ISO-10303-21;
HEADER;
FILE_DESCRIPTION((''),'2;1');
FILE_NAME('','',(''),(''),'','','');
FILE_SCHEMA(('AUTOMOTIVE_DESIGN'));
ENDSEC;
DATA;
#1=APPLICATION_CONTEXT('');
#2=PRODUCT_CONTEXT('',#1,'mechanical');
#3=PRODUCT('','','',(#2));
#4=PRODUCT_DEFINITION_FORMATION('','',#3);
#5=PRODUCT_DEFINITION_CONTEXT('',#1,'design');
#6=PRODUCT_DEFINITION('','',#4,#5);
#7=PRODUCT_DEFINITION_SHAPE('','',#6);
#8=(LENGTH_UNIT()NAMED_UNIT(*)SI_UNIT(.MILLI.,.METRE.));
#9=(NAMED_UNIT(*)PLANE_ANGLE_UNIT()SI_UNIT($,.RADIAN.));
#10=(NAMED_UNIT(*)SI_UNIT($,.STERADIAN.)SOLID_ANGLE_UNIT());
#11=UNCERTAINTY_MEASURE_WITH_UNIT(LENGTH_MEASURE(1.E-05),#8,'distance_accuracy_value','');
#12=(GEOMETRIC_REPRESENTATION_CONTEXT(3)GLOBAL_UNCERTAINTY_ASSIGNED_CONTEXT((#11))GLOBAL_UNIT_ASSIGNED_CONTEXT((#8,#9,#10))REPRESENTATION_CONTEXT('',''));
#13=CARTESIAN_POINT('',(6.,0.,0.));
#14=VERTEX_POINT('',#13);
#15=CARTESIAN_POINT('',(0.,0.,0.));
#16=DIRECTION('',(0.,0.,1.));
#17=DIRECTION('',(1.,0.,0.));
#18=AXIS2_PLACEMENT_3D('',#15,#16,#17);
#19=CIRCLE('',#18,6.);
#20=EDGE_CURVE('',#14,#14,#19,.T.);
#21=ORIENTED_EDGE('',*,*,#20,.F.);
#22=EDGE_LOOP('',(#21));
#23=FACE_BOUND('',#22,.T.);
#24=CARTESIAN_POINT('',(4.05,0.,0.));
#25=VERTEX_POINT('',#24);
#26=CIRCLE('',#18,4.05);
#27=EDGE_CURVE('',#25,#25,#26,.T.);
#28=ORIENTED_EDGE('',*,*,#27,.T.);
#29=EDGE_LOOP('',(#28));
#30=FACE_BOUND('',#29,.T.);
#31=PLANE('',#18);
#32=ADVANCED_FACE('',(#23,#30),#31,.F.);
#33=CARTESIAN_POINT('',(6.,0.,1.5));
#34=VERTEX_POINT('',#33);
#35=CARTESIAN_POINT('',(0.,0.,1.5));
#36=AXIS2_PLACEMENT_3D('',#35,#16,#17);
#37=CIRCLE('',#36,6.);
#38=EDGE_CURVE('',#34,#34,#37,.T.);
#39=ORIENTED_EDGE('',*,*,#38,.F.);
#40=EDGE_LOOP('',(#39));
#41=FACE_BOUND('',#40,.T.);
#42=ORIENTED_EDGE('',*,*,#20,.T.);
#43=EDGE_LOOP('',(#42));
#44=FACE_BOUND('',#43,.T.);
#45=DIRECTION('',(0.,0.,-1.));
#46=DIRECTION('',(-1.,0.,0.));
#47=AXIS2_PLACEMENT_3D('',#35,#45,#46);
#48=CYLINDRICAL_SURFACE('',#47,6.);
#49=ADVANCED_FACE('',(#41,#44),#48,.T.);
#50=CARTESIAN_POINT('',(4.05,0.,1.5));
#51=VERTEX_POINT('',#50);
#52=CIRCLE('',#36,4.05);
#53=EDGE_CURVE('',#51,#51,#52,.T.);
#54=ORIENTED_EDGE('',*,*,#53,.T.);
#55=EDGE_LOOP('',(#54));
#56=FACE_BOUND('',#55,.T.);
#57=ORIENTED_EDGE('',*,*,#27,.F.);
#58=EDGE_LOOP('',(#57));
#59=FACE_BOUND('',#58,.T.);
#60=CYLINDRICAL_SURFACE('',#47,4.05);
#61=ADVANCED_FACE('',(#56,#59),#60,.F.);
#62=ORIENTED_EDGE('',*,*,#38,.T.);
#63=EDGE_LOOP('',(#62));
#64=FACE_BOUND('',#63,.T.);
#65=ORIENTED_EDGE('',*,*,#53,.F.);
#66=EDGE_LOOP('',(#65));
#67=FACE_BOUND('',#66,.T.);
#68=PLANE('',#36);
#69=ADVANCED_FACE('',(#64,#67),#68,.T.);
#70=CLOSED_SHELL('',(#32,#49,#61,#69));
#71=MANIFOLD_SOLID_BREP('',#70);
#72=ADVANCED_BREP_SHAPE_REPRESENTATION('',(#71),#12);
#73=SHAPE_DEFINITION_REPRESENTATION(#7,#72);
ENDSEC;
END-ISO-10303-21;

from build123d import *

# Parameters (mm, degrees)
PROFILE_1_R   = 6
PROFILE_1_R_2 = 4.05
RING_DEPTH    = 1.5


with BuildPart() as part:
    # Profile_1 → Ring (new body)
    with BuildSketch(Plane.XY):
        Circle(PROFILE_1_R)
        Circle(PROFILE_1_R_2, mode=Mode.SUBTRACT)
    extrude(amount=RING_DEPTH)


solid = part.part
